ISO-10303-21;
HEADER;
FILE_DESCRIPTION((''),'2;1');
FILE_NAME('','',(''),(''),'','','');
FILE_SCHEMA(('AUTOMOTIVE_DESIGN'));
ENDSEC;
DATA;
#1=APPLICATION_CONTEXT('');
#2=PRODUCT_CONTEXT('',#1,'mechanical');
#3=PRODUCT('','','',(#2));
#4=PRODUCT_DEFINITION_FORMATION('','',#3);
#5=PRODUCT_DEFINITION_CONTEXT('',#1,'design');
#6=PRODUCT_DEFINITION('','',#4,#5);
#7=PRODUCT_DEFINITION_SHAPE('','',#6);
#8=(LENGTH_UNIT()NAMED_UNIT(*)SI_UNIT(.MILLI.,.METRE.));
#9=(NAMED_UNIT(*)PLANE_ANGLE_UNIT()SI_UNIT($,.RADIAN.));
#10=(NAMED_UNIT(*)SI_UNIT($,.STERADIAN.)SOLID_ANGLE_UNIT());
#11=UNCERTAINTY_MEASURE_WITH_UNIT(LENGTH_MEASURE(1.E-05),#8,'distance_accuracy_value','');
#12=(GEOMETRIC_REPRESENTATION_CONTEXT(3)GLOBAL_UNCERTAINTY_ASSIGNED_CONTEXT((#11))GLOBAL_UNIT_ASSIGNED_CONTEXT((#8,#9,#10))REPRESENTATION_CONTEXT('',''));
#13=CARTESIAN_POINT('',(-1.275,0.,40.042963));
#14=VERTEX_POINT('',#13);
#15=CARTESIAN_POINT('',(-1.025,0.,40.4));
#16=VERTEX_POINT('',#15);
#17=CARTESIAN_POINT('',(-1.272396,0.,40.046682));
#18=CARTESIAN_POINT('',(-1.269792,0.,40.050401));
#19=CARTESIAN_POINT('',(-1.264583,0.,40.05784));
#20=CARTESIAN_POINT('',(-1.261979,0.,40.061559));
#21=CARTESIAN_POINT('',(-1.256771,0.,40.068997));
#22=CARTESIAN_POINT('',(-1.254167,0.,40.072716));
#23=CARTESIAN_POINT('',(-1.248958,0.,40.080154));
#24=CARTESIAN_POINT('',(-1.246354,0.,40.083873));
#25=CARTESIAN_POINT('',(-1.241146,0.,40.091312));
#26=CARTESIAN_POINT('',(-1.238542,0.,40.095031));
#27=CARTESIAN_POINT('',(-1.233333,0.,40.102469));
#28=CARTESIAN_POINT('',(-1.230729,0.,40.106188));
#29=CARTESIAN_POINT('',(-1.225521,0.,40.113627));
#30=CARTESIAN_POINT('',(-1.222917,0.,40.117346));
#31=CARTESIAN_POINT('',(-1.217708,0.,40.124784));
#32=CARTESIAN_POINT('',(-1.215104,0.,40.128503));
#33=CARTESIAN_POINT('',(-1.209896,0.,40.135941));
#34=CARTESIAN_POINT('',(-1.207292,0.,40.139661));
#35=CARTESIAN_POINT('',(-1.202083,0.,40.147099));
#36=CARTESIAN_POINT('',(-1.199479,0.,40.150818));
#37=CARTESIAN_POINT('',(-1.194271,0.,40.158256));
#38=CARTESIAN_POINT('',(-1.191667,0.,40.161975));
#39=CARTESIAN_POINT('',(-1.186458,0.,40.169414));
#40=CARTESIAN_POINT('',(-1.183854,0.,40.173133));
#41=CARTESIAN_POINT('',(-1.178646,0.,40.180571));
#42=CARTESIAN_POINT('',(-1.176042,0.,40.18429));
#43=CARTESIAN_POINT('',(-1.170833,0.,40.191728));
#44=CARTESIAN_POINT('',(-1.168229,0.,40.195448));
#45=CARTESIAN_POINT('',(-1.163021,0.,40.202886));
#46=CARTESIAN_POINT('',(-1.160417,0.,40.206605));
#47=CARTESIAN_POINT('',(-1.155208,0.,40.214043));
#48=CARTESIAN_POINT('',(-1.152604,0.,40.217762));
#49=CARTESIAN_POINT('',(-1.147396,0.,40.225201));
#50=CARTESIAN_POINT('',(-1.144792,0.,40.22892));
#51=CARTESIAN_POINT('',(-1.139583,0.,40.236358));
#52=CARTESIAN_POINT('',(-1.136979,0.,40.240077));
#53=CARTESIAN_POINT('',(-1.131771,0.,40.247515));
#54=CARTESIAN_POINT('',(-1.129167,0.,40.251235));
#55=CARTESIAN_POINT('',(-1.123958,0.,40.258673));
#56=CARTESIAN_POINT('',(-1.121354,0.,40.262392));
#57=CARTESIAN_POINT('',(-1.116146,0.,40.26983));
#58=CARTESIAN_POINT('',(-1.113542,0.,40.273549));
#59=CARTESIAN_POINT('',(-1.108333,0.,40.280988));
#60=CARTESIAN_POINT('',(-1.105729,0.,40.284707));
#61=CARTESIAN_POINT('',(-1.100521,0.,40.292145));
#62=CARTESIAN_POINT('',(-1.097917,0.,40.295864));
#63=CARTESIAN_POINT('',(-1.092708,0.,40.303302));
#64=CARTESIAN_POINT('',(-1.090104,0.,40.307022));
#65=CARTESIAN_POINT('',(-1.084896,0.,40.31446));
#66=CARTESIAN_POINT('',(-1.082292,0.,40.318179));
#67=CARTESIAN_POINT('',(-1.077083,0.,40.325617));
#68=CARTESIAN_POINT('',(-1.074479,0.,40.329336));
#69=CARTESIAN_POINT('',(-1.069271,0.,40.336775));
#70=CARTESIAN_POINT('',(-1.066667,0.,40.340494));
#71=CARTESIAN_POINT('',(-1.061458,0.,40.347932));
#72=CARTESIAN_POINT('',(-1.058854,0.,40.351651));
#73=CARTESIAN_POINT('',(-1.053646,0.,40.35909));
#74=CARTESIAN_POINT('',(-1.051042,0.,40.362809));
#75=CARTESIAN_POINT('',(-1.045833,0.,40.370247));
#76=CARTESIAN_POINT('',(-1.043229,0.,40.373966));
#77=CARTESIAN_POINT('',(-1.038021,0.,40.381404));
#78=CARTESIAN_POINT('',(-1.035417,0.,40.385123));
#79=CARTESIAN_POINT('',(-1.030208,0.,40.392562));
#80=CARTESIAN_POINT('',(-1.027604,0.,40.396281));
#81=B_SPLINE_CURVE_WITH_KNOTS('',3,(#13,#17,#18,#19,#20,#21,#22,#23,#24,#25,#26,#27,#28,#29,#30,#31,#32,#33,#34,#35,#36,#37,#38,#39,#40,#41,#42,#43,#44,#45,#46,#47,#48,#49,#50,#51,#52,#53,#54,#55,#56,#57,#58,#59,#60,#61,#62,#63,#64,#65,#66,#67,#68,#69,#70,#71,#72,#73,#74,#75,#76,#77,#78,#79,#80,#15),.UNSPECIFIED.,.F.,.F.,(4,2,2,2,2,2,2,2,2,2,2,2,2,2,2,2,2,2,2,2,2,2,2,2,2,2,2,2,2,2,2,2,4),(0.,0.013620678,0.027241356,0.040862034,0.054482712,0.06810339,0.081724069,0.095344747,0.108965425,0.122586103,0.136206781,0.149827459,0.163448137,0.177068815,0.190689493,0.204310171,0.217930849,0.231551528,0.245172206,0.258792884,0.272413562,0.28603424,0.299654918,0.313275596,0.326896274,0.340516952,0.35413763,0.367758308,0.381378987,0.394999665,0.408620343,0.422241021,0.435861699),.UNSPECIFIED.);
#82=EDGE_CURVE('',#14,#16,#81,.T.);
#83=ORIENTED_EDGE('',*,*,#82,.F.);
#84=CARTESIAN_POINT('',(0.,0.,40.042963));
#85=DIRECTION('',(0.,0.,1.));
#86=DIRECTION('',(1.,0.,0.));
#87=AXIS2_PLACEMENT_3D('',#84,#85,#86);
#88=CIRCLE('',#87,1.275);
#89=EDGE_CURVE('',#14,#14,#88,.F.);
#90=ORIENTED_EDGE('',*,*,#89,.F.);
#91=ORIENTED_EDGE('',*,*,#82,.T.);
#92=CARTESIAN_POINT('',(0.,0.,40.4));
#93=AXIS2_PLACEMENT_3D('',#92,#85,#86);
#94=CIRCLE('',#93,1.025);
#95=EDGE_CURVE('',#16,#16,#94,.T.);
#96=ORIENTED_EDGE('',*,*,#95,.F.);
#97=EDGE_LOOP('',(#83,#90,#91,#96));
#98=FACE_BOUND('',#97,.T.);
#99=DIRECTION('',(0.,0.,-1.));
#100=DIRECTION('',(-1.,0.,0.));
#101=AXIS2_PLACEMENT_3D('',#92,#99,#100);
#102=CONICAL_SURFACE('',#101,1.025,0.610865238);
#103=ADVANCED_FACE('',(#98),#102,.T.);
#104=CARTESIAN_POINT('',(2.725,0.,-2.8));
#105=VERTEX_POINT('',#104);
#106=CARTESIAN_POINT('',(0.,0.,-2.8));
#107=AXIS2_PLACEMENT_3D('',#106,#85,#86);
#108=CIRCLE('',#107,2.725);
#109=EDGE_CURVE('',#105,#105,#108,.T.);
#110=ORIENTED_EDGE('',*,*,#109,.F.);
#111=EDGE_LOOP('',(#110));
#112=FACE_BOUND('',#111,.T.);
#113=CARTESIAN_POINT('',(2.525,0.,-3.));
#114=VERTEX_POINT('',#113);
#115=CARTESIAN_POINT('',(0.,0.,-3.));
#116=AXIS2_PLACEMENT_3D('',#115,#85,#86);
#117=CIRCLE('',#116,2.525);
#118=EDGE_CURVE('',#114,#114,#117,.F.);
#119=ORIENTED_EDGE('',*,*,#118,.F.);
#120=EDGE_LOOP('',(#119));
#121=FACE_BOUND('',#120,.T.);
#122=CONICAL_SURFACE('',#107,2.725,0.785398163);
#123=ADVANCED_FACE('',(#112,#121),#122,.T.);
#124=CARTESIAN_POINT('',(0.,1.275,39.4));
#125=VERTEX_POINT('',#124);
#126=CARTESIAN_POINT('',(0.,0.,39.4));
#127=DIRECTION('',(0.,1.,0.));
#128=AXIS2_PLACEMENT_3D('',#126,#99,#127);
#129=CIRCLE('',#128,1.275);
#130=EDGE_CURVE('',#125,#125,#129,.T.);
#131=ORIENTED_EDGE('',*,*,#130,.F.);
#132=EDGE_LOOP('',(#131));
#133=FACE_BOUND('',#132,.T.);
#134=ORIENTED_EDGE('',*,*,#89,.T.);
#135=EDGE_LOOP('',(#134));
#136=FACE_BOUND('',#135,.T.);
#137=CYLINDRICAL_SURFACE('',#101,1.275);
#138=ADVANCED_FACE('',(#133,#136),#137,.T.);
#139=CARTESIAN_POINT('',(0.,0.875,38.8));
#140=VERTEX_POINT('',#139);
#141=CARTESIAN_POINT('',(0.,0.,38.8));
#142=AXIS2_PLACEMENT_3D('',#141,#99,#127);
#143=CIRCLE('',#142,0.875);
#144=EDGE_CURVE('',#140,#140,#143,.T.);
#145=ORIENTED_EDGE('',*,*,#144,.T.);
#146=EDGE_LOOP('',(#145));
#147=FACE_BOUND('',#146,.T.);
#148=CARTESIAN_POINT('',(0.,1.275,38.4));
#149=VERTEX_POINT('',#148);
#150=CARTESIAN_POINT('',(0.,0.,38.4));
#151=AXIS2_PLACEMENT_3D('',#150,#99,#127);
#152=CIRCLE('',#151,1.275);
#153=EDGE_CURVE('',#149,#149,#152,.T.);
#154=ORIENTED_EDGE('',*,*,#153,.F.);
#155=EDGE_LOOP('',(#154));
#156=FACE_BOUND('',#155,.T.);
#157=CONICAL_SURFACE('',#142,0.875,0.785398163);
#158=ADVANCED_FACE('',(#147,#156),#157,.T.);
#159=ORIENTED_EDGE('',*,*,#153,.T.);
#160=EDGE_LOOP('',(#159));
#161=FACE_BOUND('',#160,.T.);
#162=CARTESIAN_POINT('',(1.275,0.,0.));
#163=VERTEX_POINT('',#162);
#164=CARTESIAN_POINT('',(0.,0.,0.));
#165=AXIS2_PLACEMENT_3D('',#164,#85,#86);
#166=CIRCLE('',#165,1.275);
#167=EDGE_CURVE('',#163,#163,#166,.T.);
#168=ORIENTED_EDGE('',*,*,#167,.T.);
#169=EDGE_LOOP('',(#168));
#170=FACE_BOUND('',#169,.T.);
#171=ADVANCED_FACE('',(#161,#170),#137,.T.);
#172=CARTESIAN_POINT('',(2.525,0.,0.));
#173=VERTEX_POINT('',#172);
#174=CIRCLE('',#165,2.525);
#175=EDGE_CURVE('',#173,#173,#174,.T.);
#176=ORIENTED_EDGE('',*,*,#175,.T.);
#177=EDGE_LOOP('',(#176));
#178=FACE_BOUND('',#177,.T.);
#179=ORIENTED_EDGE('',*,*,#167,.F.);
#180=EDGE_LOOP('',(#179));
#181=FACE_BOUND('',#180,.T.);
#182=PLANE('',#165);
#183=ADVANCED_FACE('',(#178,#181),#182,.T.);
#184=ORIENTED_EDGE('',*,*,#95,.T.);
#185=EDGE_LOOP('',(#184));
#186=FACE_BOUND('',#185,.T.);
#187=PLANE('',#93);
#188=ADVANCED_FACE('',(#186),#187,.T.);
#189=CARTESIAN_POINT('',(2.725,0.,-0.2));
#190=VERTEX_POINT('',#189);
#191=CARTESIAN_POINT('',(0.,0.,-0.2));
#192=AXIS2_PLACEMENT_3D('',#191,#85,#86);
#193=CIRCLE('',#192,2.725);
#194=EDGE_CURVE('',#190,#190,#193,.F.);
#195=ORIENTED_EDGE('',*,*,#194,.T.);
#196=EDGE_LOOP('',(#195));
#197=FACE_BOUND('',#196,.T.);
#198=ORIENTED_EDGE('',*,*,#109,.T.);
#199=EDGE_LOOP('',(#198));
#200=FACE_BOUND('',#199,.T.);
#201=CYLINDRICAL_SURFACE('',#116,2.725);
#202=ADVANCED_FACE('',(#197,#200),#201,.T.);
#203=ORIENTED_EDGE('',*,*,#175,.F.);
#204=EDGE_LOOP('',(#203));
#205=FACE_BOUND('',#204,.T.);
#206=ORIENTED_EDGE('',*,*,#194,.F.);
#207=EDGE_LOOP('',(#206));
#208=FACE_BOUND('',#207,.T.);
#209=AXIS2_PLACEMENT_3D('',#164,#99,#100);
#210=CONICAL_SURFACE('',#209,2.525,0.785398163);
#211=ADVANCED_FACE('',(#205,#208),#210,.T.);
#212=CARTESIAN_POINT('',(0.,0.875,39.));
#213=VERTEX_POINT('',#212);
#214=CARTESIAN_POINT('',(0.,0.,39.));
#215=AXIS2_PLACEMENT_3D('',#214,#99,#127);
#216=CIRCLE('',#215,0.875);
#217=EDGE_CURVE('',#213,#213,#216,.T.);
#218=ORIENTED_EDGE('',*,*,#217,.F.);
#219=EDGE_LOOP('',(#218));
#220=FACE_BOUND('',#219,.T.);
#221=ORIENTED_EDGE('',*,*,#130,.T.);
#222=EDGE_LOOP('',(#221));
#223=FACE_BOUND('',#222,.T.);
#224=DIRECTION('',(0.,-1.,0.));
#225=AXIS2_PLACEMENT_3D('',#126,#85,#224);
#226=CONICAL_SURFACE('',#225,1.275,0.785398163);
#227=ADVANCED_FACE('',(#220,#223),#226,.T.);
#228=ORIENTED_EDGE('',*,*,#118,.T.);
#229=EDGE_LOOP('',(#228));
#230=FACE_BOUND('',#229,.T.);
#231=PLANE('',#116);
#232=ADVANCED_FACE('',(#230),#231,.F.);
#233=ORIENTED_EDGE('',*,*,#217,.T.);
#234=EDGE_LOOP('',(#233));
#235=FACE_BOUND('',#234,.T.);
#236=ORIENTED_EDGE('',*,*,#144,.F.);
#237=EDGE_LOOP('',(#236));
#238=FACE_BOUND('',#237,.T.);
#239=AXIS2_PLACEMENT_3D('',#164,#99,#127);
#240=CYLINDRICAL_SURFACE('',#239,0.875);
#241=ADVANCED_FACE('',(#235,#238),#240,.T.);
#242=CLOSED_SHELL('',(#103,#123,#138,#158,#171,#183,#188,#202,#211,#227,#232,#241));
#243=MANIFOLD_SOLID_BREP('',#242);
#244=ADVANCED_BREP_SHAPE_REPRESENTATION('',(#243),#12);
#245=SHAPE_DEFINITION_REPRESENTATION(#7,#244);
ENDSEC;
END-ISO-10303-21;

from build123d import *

# Parameters (mm, degrees)
SKETCH2_R      = 1.275
SHAFT_DEPTH    = 40.4
SKETCH5_R      = 2.725
HEAD_DEPTH     = 3
CHAMFER1_SIZE  = 0.25
CHAMFER1_SIZE2 = 0.357037002
DEBURS_SIZE    = 0.2


with BuildPart() as part:
    # Sketch2 → Shaft (new body)
    with BuildSketch(Plane.XY):
        Circle(SKETCH2_R)
    extrude(amount=SHAFT_DEPTH)

    # Sketch5 → Head (add)
    with BuildSketch(Plane.XY):
        Circle(SKETCH5_R)
    extrude(amount=-HEAD_DEPTH)

    # Chamfer1
    chamfer1_edges = [part.edges().sort_by_distance(p)[0] for p in [
        (-1.275, 0, 40.4),
    ]]
    chamfer1_side = [part.faces().sort_by_distance(p)[0] for p in [
        (0, 0, 40.4),
    ]]
    chamfer(chamfer1_edges, length=CHAMFER1_SIZE, length2=CHAMFER1_SIZE2, reference=chamfer1_side[0])

    # Deburs
    deburs_edges = [part.edges().sort_by_distance(p)[0] for p in [
        (-2.725, 0, -3),
        (-2.725, 0, 0),
    ]]
    chamfer(deburs_edges, length=DEBURS_SIZE)

    # Sketch6 → e-Clip Notch Long (revolve, cut)
    with BuildSketch(Plane(origin=(0, 0, 0), x_dir=(0, 0, -1), z_dir=(1, 0, 0))):
        Polygon((-39.4, 1.275), (-38.4, 1.275), (-38.8, 0.875), (-39, 0.875), align=None)
    revolve(axis=Axis((0, 0, 0), (0, 0, 1)), mode=Mode.SUBTRACT)


solid = part.part
